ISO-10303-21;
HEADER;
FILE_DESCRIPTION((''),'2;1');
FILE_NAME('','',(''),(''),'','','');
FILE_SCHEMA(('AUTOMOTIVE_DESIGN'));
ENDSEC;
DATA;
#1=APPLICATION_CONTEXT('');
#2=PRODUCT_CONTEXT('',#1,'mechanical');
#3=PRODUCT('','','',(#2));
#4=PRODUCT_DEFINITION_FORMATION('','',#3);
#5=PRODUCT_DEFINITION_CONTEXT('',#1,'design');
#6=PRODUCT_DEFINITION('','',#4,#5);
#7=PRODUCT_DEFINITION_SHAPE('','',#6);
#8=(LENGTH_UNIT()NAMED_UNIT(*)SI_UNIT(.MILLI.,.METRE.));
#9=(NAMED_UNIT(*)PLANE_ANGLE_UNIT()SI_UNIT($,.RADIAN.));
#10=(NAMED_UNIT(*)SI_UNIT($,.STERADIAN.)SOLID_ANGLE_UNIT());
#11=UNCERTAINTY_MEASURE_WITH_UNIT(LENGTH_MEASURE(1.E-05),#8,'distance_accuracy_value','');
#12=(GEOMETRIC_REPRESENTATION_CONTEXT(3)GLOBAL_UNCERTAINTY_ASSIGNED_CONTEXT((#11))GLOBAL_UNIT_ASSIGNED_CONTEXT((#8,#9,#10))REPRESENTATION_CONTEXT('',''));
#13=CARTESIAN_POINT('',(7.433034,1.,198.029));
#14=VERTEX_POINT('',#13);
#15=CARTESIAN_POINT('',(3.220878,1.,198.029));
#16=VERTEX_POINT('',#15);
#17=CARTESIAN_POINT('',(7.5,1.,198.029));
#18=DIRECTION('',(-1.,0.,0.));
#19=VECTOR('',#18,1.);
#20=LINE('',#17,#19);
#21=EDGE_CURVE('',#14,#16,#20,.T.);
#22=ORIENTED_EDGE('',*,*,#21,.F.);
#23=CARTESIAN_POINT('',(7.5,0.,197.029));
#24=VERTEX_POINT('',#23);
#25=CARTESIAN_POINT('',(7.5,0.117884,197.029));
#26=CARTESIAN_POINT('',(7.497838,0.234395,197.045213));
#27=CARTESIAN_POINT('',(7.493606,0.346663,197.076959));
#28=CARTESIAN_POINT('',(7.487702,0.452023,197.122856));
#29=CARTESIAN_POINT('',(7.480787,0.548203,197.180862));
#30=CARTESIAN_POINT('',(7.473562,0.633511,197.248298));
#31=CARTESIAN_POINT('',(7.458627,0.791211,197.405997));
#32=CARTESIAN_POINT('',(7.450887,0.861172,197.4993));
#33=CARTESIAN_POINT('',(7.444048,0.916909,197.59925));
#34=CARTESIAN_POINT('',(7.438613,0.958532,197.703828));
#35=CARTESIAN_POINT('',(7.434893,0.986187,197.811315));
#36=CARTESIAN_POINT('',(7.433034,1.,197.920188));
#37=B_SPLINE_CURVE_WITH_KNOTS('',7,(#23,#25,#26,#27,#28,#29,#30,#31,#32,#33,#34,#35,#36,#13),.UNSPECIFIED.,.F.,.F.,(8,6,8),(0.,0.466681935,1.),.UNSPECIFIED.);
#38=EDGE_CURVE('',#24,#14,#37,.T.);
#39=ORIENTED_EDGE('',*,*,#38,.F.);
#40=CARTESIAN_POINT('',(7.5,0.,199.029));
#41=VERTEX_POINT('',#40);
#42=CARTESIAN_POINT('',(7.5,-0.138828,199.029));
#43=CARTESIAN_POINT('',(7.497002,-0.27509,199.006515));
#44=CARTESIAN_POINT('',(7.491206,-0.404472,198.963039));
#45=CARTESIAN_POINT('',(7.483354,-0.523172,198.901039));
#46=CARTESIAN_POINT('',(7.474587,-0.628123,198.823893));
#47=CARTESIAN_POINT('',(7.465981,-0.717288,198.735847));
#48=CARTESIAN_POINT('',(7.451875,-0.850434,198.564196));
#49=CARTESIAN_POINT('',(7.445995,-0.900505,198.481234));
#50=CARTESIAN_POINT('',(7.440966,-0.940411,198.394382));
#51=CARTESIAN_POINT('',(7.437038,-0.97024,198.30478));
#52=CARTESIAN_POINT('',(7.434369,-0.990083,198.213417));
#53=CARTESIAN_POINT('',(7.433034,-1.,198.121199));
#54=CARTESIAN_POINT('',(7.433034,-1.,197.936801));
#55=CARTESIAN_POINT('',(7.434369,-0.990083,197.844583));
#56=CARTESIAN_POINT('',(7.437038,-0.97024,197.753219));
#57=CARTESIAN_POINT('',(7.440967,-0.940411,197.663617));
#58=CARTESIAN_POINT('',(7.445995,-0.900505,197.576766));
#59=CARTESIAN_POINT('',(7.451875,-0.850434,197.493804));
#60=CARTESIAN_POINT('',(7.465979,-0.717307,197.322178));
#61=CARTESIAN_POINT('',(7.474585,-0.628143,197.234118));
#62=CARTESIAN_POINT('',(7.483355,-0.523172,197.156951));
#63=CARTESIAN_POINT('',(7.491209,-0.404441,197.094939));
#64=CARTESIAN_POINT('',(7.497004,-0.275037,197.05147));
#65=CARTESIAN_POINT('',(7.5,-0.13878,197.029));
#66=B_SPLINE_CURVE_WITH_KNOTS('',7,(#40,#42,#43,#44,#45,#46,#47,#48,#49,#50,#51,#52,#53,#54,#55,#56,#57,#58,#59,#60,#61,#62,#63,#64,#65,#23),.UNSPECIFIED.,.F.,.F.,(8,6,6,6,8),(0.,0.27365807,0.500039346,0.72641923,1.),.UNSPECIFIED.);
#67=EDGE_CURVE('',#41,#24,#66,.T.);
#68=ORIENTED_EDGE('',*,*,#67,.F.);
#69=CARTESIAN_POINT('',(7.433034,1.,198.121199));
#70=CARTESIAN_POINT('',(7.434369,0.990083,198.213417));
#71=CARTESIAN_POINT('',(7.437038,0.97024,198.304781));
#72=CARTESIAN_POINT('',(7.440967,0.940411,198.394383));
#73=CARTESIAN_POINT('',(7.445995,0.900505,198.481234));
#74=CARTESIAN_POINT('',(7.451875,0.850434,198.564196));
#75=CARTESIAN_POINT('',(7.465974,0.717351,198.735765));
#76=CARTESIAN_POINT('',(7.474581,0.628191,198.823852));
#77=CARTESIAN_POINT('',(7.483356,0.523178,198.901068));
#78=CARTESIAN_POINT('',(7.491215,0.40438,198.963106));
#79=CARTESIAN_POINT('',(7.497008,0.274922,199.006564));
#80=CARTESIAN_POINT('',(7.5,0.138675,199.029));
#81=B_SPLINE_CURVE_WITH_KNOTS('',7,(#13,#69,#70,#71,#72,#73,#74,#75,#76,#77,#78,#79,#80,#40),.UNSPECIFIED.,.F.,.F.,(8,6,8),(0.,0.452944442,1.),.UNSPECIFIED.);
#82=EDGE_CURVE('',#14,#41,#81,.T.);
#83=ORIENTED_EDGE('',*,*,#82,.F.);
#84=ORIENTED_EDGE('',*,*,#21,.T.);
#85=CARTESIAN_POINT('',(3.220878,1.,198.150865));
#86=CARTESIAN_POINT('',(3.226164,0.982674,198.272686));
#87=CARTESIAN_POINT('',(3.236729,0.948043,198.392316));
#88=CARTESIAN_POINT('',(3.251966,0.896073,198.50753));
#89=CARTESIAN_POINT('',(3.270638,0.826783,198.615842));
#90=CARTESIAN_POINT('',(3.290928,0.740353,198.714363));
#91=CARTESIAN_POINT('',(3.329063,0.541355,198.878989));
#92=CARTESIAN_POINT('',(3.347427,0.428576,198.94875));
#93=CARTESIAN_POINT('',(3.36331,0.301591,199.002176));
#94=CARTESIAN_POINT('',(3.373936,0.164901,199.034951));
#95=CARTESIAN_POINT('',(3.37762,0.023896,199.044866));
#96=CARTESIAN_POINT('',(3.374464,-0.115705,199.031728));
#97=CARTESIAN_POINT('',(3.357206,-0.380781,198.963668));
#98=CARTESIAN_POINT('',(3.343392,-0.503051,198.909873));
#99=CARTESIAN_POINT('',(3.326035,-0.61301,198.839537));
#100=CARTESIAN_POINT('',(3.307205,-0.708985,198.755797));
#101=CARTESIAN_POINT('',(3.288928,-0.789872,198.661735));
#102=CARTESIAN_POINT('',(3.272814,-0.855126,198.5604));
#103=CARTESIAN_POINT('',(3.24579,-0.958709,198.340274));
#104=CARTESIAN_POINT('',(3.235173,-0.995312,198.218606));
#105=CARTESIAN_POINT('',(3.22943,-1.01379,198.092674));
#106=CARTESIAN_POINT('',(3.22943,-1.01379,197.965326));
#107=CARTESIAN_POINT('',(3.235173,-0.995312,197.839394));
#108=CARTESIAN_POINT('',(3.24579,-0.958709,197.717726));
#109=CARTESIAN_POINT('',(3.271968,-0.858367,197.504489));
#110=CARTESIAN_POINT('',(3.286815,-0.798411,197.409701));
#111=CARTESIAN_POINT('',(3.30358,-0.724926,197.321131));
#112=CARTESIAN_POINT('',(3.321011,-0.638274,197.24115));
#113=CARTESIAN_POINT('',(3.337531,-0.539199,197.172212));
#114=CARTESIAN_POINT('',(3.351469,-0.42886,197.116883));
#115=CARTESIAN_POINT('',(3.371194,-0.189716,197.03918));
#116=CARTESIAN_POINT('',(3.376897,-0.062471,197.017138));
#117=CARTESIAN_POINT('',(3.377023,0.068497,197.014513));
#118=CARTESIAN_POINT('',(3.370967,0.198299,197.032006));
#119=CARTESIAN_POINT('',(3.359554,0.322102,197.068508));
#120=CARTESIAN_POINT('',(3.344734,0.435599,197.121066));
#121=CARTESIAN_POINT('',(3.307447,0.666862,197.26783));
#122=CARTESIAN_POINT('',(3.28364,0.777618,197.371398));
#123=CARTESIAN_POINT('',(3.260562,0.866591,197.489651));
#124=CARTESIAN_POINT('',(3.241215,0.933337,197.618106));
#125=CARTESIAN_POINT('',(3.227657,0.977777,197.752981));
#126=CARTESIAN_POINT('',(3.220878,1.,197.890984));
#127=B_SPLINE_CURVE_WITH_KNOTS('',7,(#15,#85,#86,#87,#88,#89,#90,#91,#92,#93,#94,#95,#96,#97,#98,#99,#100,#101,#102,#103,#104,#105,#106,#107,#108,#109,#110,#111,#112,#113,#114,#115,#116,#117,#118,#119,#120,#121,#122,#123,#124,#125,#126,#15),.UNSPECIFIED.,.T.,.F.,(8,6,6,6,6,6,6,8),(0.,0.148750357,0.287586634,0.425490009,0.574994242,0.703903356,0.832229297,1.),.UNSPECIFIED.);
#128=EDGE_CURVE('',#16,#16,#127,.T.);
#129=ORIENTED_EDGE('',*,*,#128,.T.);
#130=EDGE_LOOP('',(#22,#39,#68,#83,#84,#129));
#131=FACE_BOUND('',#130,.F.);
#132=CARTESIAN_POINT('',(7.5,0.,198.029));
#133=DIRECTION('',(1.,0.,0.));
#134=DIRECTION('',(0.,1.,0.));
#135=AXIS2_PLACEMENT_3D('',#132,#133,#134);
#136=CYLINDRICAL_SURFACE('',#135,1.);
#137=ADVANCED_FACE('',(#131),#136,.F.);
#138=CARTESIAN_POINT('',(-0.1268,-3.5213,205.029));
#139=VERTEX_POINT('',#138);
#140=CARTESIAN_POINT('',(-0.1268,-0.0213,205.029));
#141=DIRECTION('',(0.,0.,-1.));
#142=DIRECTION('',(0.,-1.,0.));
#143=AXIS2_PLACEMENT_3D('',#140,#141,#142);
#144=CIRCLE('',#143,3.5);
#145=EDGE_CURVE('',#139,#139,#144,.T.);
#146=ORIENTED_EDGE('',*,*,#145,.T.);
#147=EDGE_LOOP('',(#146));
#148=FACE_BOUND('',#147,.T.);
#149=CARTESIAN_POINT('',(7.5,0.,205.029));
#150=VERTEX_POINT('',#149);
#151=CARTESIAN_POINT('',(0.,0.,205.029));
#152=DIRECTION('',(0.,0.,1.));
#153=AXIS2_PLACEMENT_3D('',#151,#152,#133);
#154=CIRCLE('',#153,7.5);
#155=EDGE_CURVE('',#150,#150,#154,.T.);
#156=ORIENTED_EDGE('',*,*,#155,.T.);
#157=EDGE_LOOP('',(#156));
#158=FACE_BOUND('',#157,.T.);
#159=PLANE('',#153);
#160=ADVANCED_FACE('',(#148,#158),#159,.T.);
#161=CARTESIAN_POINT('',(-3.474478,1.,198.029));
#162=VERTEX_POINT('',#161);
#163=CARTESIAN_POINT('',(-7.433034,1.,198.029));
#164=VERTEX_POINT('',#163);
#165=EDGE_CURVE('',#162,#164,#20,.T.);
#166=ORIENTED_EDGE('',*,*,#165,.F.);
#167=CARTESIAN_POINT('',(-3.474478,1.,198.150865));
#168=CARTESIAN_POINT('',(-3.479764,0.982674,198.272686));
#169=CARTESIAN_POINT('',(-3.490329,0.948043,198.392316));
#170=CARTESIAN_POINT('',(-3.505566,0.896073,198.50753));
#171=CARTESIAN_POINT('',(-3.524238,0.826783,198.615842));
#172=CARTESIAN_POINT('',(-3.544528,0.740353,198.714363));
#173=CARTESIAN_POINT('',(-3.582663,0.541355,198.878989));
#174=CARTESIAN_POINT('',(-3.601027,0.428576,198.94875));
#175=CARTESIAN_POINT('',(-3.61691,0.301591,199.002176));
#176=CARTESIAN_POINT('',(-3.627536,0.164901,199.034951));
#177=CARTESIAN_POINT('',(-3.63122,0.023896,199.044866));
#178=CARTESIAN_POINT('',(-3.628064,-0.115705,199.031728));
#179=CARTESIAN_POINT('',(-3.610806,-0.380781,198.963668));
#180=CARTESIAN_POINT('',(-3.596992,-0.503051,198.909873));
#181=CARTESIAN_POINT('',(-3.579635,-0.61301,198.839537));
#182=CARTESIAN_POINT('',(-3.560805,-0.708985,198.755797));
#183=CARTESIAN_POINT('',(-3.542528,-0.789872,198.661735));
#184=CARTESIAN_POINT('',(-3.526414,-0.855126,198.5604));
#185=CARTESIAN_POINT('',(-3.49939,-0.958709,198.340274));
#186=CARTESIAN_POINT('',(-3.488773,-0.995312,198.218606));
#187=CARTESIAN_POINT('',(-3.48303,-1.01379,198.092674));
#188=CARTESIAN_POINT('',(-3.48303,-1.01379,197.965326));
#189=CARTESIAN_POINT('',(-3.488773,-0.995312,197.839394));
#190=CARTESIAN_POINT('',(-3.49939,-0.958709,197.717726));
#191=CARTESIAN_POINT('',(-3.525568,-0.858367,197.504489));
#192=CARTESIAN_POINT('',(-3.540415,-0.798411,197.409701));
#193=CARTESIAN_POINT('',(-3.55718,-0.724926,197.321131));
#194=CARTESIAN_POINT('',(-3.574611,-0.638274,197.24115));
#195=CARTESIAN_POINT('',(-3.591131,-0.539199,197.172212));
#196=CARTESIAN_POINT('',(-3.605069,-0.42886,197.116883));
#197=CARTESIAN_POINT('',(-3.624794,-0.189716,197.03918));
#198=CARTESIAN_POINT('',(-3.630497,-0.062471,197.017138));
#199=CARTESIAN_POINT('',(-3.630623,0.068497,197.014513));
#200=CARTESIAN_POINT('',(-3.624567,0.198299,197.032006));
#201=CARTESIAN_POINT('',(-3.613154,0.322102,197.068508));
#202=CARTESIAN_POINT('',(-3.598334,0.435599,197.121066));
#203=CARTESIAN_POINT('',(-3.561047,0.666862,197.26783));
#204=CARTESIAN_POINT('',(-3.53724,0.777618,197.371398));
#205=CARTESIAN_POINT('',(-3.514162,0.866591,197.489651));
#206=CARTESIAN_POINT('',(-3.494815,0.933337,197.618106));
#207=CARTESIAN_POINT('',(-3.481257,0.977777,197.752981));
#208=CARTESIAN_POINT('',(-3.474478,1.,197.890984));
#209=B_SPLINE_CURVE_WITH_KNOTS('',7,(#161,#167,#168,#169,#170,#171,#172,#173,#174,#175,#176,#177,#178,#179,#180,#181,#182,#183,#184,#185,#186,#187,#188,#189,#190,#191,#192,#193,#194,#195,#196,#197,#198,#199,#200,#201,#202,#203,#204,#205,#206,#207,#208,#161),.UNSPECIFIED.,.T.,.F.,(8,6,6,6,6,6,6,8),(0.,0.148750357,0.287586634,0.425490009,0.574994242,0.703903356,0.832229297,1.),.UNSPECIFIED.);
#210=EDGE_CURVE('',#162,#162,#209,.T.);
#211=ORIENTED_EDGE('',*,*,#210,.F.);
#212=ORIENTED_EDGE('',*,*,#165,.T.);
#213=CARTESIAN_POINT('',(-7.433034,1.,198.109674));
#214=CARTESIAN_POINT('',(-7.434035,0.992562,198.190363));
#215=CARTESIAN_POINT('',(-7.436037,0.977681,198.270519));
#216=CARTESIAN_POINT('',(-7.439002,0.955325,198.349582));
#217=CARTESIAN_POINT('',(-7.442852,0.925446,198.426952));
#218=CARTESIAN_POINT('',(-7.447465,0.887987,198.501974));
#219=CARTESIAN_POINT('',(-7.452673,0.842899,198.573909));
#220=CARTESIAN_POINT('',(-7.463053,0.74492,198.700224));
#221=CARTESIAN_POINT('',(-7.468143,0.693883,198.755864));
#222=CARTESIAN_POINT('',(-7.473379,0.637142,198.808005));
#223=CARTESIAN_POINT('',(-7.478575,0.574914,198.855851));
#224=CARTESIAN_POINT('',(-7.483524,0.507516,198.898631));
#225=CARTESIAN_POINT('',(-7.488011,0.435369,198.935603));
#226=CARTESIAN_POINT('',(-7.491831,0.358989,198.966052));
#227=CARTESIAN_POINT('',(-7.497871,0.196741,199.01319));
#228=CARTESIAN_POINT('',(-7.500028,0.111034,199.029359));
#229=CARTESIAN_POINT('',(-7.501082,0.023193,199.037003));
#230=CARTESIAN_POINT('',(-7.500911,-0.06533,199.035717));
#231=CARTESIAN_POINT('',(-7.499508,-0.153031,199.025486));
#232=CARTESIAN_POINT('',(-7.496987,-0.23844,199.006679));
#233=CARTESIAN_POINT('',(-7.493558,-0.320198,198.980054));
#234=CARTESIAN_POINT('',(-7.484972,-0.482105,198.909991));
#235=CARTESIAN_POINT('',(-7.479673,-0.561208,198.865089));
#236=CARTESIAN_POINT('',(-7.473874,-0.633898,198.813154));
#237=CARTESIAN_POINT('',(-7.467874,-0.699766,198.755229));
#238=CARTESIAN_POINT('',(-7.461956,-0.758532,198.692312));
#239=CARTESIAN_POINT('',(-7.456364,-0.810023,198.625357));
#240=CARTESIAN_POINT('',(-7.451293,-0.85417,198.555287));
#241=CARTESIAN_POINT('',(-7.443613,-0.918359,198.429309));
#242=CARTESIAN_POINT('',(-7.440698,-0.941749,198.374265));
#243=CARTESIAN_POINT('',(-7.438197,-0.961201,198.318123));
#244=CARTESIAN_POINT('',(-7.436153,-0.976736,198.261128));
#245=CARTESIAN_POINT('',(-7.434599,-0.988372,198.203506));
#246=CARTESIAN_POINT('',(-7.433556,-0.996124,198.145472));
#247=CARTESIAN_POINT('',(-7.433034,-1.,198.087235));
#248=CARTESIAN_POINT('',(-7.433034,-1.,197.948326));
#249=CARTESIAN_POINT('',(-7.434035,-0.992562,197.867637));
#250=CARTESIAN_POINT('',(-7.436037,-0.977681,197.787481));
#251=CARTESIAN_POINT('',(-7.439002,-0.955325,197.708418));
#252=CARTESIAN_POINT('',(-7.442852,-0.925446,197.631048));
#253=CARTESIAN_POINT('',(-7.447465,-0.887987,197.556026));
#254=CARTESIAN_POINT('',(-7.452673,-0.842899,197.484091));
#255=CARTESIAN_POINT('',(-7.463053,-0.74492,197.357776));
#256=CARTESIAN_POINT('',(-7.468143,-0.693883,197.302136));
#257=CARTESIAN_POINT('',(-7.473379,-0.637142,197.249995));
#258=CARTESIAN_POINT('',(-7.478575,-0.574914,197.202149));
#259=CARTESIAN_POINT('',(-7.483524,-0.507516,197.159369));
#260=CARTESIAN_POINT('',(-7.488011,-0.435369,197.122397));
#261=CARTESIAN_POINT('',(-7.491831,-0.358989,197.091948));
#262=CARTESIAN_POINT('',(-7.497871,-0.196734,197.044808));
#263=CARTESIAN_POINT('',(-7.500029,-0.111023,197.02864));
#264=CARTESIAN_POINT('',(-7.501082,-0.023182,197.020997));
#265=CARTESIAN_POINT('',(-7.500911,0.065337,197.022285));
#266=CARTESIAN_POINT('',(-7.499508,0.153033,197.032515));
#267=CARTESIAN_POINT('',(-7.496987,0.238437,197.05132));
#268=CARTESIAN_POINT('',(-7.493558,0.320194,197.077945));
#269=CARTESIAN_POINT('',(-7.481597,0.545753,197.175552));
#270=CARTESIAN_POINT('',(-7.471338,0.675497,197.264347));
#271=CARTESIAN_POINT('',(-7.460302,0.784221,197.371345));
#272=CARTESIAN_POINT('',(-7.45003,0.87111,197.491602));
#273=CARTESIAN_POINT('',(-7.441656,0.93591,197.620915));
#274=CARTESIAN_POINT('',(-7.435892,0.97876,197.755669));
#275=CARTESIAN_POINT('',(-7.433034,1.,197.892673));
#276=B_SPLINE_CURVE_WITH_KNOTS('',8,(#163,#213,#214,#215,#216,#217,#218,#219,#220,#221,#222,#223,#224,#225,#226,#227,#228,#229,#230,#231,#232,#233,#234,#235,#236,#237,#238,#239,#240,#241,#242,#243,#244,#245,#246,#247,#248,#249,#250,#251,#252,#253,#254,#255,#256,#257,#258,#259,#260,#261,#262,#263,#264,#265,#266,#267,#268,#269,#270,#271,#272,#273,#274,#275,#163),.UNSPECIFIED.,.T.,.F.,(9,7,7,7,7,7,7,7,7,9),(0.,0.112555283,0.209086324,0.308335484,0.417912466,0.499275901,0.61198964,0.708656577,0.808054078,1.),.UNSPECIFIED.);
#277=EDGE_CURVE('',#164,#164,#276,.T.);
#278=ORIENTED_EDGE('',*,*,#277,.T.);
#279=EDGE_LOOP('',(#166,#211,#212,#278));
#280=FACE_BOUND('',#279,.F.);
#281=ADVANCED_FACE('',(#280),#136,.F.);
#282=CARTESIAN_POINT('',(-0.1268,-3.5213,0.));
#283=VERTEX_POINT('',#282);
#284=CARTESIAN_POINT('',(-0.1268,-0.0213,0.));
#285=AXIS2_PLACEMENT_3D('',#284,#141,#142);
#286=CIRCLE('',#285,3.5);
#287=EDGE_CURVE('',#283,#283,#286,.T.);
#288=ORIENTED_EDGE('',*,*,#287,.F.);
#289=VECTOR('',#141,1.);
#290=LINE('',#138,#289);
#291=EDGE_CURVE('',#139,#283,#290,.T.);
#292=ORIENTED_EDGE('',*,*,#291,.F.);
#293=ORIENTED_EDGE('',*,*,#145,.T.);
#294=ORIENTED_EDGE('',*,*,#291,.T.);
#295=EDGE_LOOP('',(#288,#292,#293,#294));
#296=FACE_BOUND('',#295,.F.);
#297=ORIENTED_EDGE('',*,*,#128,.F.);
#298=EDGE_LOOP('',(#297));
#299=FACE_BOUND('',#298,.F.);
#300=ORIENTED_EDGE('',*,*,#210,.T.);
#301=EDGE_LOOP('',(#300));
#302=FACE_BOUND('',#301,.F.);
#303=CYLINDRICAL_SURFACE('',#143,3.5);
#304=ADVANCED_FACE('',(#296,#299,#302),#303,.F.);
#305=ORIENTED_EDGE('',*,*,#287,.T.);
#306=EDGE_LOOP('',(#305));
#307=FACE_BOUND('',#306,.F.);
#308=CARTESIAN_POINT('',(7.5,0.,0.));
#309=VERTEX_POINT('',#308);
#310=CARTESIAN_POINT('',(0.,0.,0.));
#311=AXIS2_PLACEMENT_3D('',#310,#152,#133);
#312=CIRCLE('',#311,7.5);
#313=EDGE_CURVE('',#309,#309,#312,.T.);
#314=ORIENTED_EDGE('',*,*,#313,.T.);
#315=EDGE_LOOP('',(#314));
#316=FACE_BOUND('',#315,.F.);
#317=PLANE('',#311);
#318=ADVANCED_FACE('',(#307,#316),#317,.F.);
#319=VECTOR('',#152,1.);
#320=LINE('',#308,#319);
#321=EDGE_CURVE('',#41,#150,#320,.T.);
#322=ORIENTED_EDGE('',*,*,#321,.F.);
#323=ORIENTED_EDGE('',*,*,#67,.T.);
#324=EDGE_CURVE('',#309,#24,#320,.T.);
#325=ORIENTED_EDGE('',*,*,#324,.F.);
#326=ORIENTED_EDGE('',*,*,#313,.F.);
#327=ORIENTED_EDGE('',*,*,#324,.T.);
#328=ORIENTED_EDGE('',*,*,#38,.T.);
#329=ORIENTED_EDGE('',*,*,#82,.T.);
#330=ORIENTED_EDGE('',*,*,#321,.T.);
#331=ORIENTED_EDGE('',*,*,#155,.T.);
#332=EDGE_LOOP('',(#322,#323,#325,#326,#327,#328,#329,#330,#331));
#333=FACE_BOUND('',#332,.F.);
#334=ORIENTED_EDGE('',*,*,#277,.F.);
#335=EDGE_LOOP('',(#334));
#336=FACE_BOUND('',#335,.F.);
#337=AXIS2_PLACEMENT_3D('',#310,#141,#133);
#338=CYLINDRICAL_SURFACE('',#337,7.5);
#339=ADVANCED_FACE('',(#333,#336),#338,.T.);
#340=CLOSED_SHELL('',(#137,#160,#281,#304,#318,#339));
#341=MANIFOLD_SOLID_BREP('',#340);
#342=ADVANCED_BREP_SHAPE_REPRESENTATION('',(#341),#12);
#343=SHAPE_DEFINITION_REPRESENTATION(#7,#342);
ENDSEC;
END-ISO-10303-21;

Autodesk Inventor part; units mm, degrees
ref_plane "XZ Plane" through (0, 0, 0) normal (0, 1, 0) x (-1, 0, 0)
ref_plane "XY Plane" through (0, 0, 0) normal (0, 0, 1) x (1, 0, 0)
sketch "Sketch1" plane through (0, 0, 0) normal (0, 0, 1) x (1, 0, 0)
  circle A0 centre (0, 0) radius 7.5
  dimension "d0" = 15
extrude "Extrusion1" add sketch "Sketch1" along normal blind 205.029
sketch "Sketch2" plane through (0, 0, 205.029) normal (0, 0, 1) x (1, 0, 0)
  point P0 (0, 0)
  point P1 (-0.1268, -0.0213)
hole "Hole1" at (-0.1268, -0.0213, 205.029) direction (0, 0, -1) diameter 7 end through all
ref_plane "Work Plane1" through (7.5, 0, 0) normal (1, 0, 0) x (0, 1, 0)
sketch "Sketch3" plane through (7.5, 0, 0) normal (1, 0, 0) x (0, 1, 0)
  circle A0 centre (0, 198.029) radius 1
  line L0 (7.5, 205.029) -> (-7.5, 205.029) projected
  point P0 (0, 0)
  dimension "d10" = 2
  dimension "d11" = 7
extrude "Extrusion2" cut sketch "Sketch3" against normal through all
properties part number "shaft" material "Nylon 6/6"
